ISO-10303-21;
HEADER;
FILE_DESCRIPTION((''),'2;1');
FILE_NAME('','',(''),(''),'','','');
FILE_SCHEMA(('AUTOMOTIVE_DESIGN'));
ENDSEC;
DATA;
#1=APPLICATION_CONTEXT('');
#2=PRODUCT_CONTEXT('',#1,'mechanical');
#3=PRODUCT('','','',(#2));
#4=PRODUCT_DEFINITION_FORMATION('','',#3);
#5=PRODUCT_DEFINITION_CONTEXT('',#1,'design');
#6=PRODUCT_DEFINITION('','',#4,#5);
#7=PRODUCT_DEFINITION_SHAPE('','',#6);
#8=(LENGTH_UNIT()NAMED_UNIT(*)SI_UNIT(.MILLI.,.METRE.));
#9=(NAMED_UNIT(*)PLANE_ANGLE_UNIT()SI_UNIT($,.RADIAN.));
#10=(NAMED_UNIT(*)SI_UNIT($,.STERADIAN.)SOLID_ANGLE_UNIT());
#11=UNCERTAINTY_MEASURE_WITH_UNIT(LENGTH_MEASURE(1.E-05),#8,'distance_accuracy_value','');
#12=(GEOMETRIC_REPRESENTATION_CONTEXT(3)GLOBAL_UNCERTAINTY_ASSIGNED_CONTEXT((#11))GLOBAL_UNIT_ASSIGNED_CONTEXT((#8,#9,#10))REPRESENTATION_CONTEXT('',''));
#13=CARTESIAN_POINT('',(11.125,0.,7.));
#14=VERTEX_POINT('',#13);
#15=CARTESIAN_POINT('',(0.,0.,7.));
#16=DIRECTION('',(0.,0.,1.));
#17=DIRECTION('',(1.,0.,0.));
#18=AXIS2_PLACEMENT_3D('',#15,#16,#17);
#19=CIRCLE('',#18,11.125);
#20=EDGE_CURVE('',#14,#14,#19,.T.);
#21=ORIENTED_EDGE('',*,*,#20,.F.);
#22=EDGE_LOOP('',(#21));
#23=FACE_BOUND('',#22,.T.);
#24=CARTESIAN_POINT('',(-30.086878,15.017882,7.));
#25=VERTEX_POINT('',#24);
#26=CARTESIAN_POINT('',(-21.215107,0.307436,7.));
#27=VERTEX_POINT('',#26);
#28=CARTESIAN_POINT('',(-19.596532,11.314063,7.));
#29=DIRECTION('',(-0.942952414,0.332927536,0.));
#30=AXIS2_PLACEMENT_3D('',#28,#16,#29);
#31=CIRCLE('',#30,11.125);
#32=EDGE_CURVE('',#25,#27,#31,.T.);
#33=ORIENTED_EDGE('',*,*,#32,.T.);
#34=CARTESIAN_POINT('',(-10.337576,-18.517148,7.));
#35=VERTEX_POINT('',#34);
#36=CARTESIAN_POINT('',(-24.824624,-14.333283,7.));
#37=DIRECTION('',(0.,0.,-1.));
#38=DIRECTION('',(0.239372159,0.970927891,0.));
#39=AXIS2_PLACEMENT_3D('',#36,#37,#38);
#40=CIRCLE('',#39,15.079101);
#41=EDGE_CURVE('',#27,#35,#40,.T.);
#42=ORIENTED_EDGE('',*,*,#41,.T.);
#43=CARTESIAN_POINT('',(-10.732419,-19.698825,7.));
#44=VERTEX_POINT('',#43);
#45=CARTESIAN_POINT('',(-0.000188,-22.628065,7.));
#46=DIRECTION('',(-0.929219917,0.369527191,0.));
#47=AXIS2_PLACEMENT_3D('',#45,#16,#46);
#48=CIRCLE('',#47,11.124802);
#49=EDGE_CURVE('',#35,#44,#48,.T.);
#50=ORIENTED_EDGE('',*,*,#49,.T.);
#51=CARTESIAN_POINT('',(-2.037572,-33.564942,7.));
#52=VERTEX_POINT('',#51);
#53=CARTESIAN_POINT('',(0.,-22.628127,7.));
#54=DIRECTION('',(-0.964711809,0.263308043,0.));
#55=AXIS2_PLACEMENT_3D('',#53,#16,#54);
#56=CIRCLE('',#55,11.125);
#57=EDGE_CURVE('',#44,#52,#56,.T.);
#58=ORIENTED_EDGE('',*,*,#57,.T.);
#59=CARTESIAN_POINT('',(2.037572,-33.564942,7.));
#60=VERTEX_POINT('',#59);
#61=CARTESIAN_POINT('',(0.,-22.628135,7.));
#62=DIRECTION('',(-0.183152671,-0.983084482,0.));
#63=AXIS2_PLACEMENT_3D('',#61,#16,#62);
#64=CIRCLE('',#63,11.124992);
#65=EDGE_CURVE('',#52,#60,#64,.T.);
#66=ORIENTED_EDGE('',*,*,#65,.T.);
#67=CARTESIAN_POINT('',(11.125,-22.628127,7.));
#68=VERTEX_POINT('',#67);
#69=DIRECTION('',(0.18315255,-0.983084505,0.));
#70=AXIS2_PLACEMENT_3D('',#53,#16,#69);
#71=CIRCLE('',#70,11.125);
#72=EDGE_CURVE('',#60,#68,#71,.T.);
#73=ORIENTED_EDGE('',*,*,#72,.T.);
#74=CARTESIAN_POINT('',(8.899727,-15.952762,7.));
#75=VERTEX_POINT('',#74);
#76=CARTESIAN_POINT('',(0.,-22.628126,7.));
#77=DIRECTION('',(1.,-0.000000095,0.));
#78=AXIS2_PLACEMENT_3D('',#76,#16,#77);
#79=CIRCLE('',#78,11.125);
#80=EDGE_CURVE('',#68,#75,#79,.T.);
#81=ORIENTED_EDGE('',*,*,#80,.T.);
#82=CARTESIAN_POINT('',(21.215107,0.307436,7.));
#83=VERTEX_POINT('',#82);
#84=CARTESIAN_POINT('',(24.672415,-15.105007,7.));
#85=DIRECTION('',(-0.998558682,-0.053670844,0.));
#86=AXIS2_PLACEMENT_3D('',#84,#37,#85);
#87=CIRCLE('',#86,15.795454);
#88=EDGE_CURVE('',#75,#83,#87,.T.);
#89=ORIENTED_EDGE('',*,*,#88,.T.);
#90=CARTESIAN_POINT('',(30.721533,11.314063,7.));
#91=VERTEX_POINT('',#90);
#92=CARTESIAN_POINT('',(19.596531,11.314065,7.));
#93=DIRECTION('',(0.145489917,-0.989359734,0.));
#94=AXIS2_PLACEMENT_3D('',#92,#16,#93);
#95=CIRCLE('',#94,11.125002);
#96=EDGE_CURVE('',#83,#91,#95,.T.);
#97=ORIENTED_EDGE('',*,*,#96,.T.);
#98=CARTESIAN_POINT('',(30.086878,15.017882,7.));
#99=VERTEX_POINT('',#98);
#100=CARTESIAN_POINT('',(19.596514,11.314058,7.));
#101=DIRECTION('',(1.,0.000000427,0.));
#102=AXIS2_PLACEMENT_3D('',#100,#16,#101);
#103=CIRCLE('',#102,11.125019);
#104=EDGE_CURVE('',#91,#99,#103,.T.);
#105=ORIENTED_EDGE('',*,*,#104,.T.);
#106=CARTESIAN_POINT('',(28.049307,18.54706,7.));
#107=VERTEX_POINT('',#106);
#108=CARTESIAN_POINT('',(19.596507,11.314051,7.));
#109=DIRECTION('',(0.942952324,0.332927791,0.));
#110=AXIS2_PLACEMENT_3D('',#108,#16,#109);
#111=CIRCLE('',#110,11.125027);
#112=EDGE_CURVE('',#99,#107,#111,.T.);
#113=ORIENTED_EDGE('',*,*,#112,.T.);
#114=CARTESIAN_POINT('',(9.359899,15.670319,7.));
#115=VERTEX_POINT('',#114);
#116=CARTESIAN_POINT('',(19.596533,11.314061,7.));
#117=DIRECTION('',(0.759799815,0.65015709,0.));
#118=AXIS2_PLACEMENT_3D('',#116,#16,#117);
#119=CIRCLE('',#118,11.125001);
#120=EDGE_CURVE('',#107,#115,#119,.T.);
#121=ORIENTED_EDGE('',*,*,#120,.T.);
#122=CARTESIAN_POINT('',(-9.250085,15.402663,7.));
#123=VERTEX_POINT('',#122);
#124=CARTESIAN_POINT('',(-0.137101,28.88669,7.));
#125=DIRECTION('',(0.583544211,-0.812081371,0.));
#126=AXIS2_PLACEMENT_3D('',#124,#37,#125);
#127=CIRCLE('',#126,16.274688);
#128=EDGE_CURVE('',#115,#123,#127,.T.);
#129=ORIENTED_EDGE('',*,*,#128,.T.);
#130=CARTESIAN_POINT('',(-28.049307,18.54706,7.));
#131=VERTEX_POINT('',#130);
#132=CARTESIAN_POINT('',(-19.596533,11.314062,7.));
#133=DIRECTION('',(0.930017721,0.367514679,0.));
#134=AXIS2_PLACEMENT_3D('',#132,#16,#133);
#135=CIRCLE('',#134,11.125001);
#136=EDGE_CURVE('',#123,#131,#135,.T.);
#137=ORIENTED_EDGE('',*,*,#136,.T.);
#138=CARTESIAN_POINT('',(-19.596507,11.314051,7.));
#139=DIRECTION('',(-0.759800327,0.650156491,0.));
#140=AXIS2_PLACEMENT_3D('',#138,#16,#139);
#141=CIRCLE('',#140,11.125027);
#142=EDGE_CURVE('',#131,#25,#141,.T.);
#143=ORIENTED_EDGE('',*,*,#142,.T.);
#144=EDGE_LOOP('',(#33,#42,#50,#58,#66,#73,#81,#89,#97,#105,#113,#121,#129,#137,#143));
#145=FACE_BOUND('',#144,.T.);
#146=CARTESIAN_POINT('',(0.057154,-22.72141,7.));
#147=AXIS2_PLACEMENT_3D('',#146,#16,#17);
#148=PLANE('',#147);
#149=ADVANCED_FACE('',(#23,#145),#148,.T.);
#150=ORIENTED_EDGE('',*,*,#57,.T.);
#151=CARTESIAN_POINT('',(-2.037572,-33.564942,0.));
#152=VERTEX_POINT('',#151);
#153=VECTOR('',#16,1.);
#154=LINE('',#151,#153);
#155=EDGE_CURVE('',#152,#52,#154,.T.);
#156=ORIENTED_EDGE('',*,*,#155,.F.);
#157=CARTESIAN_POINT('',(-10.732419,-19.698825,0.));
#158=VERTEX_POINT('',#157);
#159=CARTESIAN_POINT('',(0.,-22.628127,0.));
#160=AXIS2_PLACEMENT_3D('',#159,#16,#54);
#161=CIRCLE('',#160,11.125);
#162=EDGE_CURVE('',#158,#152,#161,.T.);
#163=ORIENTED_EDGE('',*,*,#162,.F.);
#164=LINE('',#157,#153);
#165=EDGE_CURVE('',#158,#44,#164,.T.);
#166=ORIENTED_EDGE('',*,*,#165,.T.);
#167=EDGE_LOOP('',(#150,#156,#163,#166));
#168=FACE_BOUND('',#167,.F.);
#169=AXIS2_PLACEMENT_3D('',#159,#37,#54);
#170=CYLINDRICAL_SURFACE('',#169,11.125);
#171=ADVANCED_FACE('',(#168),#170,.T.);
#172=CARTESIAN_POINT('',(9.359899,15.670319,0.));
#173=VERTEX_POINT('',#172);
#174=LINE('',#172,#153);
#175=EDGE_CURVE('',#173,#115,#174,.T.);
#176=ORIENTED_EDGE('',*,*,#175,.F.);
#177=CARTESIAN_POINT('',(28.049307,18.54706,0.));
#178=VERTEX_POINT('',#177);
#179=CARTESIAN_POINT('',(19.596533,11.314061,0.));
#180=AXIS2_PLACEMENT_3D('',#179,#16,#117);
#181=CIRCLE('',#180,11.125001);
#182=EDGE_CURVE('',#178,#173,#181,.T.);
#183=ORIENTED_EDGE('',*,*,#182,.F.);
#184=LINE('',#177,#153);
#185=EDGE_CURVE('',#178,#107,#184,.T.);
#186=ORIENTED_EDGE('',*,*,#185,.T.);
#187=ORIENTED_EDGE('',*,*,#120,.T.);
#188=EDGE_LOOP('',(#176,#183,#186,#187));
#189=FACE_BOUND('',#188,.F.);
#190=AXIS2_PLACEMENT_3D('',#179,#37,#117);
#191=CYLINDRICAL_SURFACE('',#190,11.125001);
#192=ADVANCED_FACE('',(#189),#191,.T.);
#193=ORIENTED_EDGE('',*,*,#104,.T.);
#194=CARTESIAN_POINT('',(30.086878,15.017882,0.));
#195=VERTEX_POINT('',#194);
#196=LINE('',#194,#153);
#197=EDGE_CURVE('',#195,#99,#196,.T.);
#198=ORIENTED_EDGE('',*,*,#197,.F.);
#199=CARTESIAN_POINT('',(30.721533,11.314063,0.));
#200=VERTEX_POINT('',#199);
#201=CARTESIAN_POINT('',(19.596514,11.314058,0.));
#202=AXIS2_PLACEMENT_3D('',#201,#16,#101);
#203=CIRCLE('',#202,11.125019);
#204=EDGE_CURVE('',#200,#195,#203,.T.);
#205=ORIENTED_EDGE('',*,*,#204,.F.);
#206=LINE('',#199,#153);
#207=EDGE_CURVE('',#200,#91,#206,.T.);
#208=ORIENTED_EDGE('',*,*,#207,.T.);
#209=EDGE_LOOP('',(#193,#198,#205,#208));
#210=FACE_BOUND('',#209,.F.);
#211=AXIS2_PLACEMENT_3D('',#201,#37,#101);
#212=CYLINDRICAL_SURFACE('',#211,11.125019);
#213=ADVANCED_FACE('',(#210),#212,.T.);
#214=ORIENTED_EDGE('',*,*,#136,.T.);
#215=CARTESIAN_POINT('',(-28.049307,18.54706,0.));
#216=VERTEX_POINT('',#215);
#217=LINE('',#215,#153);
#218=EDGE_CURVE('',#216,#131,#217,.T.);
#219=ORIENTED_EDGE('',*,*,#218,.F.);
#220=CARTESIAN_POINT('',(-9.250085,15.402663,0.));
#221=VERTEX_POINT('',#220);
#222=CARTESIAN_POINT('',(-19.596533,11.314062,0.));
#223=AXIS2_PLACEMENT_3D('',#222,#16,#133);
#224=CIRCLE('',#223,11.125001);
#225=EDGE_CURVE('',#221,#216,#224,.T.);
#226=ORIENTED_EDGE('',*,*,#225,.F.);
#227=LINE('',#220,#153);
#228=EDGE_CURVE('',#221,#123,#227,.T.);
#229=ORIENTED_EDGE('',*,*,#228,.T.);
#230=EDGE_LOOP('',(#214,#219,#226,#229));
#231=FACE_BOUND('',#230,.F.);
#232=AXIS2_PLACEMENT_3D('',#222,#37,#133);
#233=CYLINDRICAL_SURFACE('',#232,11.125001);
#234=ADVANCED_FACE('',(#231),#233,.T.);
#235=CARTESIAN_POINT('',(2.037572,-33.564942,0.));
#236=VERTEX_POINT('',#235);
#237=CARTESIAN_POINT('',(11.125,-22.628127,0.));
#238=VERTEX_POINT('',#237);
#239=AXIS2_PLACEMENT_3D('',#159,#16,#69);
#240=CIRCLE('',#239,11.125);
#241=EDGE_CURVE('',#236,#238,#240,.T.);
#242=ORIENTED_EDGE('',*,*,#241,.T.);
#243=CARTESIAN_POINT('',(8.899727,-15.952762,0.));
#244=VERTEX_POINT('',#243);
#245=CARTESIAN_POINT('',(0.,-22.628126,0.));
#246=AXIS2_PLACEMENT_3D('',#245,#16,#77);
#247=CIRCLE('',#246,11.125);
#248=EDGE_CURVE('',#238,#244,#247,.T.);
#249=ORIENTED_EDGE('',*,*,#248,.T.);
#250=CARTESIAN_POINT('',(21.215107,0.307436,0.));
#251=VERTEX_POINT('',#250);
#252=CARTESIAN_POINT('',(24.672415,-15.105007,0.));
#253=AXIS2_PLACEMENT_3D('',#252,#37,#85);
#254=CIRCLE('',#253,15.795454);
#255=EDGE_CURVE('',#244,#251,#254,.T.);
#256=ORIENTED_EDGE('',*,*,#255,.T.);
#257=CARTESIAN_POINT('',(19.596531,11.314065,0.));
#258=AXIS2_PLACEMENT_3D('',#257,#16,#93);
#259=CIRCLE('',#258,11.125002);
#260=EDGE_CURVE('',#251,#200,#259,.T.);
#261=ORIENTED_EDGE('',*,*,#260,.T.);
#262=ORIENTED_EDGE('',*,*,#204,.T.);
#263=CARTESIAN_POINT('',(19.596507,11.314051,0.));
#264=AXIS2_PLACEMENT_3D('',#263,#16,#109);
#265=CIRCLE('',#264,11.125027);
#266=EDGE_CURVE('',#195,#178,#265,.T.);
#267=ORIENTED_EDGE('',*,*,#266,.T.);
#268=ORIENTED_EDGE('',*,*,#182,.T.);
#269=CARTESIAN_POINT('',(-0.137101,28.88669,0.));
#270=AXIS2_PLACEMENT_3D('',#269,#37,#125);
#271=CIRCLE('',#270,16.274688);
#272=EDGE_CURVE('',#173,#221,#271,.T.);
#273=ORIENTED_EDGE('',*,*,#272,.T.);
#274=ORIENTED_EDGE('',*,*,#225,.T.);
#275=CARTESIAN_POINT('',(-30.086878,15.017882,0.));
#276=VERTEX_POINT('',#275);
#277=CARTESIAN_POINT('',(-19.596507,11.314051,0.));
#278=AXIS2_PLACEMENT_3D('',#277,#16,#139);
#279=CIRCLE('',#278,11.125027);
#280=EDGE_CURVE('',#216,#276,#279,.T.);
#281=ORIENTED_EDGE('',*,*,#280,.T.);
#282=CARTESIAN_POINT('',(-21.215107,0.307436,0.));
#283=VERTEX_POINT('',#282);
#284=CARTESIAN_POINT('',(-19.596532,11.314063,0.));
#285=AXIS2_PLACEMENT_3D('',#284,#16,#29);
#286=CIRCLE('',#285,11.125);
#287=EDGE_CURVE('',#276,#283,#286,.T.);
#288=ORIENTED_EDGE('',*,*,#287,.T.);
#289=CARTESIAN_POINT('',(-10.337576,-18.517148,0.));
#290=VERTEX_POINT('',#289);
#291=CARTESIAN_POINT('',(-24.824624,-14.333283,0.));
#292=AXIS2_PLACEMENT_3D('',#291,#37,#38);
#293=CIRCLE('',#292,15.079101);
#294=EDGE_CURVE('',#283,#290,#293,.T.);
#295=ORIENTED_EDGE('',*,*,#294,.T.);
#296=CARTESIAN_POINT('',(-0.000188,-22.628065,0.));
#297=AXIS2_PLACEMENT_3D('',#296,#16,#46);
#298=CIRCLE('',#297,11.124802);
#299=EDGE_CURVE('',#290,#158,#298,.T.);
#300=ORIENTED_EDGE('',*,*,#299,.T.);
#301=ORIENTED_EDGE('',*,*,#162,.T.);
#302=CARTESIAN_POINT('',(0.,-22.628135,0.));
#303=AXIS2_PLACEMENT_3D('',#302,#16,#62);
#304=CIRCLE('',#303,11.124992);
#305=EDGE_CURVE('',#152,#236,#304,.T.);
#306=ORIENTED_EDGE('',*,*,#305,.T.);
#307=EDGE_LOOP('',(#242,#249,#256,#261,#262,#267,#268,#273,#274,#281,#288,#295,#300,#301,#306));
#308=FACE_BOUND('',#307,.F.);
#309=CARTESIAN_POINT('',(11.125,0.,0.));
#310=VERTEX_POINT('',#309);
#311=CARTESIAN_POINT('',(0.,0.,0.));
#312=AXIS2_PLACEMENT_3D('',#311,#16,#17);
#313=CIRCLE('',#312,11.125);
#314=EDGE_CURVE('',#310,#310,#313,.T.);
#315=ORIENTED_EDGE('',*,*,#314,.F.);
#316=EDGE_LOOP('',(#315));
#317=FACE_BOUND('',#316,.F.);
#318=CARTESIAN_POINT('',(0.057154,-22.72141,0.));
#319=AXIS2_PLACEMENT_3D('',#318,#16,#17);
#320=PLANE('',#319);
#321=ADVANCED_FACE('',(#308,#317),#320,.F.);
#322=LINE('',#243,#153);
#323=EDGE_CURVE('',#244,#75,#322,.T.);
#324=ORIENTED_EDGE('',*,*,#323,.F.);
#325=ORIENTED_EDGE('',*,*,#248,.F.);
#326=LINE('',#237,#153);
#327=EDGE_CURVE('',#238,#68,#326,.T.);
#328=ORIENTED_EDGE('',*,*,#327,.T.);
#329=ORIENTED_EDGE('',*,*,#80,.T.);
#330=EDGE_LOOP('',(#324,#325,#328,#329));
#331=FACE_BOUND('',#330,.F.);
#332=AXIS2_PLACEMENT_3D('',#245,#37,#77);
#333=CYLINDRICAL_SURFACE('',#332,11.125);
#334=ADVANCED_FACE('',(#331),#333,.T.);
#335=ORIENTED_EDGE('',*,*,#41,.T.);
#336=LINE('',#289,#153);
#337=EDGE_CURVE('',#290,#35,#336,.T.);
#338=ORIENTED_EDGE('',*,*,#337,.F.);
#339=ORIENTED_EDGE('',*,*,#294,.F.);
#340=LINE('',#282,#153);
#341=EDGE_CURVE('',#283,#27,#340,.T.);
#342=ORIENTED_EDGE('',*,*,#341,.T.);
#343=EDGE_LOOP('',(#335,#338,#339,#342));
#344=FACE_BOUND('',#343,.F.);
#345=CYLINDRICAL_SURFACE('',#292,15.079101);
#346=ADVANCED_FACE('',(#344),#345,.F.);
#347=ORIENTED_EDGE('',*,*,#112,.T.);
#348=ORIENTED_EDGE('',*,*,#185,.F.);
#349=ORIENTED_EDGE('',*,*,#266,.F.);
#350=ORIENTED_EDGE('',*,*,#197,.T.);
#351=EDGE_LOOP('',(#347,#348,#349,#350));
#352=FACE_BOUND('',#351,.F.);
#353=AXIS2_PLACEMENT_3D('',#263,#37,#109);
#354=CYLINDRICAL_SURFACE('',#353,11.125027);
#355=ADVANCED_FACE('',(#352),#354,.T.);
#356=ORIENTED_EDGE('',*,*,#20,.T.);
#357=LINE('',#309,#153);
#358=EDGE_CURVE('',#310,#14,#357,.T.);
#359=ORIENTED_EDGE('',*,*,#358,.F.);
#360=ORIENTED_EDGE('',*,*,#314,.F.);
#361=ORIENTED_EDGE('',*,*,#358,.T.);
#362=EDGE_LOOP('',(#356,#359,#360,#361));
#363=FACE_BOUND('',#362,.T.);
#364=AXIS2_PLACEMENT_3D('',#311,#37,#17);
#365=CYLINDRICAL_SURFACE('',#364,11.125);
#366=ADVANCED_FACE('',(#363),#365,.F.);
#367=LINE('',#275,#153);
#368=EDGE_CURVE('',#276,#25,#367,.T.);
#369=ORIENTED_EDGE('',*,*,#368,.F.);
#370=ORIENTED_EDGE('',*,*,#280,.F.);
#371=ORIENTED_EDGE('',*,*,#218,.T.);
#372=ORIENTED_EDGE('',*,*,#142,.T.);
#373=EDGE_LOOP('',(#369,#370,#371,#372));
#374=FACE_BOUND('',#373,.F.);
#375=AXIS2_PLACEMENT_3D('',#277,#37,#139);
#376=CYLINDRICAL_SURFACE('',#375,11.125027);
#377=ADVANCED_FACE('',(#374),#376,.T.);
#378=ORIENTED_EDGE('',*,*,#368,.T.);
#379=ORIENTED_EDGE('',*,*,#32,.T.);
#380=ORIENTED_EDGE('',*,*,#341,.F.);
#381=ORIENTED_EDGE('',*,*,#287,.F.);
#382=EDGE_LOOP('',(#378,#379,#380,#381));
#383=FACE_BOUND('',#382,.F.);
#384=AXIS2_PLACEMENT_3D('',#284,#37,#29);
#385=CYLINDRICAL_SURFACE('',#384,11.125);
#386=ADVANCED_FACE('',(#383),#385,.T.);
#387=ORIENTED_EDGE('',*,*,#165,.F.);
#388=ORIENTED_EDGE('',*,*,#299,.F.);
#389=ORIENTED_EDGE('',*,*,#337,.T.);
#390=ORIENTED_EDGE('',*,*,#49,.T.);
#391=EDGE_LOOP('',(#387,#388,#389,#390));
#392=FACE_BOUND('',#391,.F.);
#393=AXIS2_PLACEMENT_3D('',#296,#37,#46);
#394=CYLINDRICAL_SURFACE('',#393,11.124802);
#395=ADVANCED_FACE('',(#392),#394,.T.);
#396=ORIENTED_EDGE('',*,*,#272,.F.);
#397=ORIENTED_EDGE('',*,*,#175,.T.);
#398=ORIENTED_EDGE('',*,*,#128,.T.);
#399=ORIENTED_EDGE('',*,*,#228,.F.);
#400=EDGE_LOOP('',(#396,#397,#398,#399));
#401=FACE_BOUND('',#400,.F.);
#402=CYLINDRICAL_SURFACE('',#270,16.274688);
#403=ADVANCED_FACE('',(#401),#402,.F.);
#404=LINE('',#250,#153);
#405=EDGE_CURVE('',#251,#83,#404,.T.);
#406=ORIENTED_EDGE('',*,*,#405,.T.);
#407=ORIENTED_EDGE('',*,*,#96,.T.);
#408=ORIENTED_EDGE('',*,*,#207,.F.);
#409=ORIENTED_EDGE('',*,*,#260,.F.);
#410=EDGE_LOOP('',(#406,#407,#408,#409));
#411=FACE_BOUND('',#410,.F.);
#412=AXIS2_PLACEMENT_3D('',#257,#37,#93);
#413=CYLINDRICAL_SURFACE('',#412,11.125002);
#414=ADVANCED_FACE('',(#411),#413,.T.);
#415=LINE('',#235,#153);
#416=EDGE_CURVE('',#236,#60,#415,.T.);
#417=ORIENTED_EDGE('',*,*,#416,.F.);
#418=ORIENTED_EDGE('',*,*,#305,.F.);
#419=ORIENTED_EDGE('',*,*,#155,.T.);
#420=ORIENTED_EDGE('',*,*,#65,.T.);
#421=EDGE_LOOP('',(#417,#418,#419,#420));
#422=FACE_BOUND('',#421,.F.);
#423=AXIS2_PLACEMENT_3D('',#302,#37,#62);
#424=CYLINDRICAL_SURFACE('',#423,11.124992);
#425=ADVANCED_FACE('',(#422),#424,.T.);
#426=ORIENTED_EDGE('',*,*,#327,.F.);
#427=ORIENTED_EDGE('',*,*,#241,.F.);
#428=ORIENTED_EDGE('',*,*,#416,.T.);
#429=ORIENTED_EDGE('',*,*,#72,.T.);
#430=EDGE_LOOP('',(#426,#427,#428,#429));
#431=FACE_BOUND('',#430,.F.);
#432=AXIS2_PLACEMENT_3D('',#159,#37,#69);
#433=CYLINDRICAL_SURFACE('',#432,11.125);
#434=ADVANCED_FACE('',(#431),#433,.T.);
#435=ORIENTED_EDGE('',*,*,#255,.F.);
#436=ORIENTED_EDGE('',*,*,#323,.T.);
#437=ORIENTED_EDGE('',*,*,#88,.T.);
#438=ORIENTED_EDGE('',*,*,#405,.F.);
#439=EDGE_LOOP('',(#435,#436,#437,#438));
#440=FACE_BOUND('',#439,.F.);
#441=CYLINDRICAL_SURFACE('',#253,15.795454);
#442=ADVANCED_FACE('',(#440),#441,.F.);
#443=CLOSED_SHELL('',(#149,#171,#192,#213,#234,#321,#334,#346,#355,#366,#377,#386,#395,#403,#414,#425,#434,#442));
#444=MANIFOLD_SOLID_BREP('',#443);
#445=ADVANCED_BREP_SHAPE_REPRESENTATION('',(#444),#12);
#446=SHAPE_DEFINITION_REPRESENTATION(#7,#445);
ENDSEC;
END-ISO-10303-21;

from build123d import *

# Parameters (mm, degrees)
F0_R     = 11.125
F1_DEPTH = 7


with BuildPart() as f1:
    # F0 (on Top) → F1 (new body)
    with BuildSketch(Plane.XY):
        with BuildLine():
            ThreePointArc((2.037572, -33.564942), (8.556682, -29.737896), (11.125, -22.628127))
            ThreePointArc((11.125, -22.628127), (10.55403, -19.109877), (8.899727, -15.952762))
            ThreePointArc((8.899727, -15.952762), (-1.46999, -11.600672), (-10.337576, -18.517148))
            ThreePointArc((-10.337576, -18.517148), (-10.522788, -19.112066), (-10.732419, -19.698825))
            ThreePointArc((-10.732419, -19.698825), (-9.425257, -28.538301), (-2.037572, -33.564942))
            ThreePointArc((-2.037572, -33.564942), (0, -33.626731), (2.037572, -33.564942))
        make_face()
        with BuildLine():
            ThreePointArc((-10.337576, -18.517148), (-1.46999, -11.600672), (8.899727, -15.952762))
            ThreePointArc((8.899727, -15.952762), (12.080882, -5.568253), (21.215107, 0.307436))
            ThreePointArc((21.215107, 0.307436), (10.78902, 4.517495), (9.359899, 15.670319))
            ThreePointArc((9.359899, 15.670319), (0.096944, 12.613685), (-9.250085, 15.402663))
            ThreePointArc((-9.250085, 15.402663), (-8.667904, 13.395096), (-8.471533, 11.314063))
            ThreePointArc((-8.471533, 11.314063), (-12.324704, 2.894673), (-21.215107, 0.307436))
            ThreePointArc((-21.215107, 0.307436), (-11.768489, -6.788973), (-10.337576, -18.517148))
        make_face()
        Circle(F0_R, mode=Mode.SUBTRACT)
        with BuildLine():
            ThreePointArc((-2.037572, -33.564942), (0, -33.753127), (2.037572, -33.564942))
            ThreePointArc((2.037572, -33.564942), (0, -33.626731), (-2.037572, -33.564942))
        make_face()
        with BuildLine():
            ThreePointArc((-10.732419, -19.698825), (-10.522788, -19.112066), (-10.337576, -18.517148))
            ThreePointArc((-10.337576, -18.517148), (-10.551553, -19.102455), (-10.732419, -19.698825))
        make_face()
        with BuildLine():
            ThreePointArc((9.359899, 15.670319), (10.78902, 4.517495), (21.215107, 0.307436))
            ThreePointArc((21.215107, 0.307436), (28.015923, 4.042235), (30.721533, 11.314063))
            ThreePointArc((30.721533, 11.314063), (30.561721, 13.192963), (30.086878, 15.017882))
            ThreePointArc((30.086878, 15.017882), (29.121603, 16.813365), (28.049307, 18.54706))
            ThreePointArc((28.049307, 18.54706), (17.904065, 22.30957), (9.359899, 15.670319))
        make_face()
        with BuildLine():
            ThreePointArc((-30.086878, 15.017882), (-29.123116, 5.568645), (-21.215107, 0.307436))
            ThreePointArc((-21.215107, 0.307436), (-12.324704, 2.894673), (-8.471533, 11.314063))
            ThreePointArc((-8.471533, 11.314063), (-8.667904, 13.395096), (-9.250085, 15.402663))
            ThreePointArc((-9.250085, 15.402663), (-17.761238, 22.286634), (-28.049307, 18.54706))
            ThreePointArc((-28.049307, 18.54706), (-29.121603, 16.813365), (-30.086878, 15.017882))
        make_face()
        with BuildLine():
            ThreePointArc((-28.049307, 18.54706), (-29.231065, 16.876563), (-30.086878, 15.017882))
            ThreePointArc((-30.086878, 15.017882), (-29.121603, 16.813365), (-28.049307, 18.54706))
        make_face()
        with BuildLine():
            ThreePointArc((30.086878, 15.017882), (29.231065, 16.876563), (28.049307, 18.54706))
            ThreePointArc((28.049307, 18.54706), (29.121603, 16.813365), (30.086878, 15.017882))
        make_face()
    extrude(amount=F1_DEPTH)


solid = f1.part
